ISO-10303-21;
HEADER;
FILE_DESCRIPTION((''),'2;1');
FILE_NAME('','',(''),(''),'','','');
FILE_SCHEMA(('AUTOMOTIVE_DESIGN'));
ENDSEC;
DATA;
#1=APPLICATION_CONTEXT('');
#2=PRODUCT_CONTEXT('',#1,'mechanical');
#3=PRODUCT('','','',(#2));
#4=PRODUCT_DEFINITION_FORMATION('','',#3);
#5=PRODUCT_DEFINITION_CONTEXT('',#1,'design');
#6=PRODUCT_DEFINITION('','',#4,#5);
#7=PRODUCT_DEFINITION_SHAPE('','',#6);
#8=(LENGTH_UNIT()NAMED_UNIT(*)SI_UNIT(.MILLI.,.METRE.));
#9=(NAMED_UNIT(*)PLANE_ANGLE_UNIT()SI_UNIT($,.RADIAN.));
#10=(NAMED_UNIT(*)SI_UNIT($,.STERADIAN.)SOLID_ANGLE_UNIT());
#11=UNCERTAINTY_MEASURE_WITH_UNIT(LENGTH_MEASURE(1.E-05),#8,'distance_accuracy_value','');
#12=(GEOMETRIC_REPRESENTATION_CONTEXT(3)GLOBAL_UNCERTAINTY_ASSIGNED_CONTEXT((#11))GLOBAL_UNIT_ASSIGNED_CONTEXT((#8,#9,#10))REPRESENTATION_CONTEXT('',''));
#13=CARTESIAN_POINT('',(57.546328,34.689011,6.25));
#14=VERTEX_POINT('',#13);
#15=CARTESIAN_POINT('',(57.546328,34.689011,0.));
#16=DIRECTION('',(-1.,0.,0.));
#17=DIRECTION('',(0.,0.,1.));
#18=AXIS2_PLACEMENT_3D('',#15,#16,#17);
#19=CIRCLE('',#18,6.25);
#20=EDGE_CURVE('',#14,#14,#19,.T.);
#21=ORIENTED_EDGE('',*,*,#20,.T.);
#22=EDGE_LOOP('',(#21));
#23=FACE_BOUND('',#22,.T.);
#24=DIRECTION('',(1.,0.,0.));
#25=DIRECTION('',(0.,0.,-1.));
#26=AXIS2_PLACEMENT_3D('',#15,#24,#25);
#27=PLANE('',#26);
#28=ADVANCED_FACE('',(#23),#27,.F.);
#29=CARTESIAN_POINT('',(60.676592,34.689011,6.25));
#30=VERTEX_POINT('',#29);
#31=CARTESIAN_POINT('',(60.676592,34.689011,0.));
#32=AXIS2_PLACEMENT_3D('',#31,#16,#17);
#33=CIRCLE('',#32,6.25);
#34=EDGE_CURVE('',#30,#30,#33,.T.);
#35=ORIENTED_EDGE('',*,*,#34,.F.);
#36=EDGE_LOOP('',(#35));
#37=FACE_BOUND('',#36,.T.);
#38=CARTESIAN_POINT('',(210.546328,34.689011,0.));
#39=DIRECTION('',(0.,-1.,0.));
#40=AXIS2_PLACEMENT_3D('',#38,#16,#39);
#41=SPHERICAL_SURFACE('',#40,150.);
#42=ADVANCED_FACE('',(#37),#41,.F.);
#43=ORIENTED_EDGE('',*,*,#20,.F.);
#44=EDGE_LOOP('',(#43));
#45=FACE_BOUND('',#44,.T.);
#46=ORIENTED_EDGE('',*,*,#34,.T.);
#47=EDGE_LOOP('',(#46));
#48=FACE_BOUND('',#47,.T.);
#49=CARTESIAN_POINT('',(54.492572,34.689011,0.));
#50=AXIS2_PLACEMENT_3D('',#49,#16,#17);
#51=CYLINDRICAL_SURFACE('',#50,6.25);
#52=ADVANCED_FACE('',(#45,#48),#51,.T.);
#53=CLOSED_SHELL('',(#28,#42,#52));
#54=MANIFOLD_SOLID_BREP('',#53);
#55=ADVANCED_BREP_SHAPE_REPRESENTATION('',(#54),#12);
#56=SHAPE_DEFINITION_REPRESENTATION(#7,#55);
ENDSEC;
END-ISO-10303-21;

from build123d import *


with BuildPart() as part:
    # 草图1 → 旋转1 (revolve)
    with BuildSketch(Plane.XY, mode=Mode.PRIVATE) as revolve_1_sk:
        with BuildLine():
            Line((57.546327767, 34.689010562), (57.546327767, 40.939010562))
            Line((57.546327767, 40.939010562), (60.676592493, 40.939010562))
            ThreePointArc((60.676592493, 40.939010562), (60.578897356, 37.814689246), (60.546327596, 34.689010562))
            Line((60.546327596, 34.689010562), (57.546327767, 34.689010562))
        make_face()
    revolve(revolve_1_sk.sketch.rotate(Axis((54.492571501, 34.689010562, 0), (1, 0, 0)), 180), axis=Axis((54.492571501, 34.689010562, 0), (1, 0, 0)))  # turned: the seam where the file's is


solid = part.part
